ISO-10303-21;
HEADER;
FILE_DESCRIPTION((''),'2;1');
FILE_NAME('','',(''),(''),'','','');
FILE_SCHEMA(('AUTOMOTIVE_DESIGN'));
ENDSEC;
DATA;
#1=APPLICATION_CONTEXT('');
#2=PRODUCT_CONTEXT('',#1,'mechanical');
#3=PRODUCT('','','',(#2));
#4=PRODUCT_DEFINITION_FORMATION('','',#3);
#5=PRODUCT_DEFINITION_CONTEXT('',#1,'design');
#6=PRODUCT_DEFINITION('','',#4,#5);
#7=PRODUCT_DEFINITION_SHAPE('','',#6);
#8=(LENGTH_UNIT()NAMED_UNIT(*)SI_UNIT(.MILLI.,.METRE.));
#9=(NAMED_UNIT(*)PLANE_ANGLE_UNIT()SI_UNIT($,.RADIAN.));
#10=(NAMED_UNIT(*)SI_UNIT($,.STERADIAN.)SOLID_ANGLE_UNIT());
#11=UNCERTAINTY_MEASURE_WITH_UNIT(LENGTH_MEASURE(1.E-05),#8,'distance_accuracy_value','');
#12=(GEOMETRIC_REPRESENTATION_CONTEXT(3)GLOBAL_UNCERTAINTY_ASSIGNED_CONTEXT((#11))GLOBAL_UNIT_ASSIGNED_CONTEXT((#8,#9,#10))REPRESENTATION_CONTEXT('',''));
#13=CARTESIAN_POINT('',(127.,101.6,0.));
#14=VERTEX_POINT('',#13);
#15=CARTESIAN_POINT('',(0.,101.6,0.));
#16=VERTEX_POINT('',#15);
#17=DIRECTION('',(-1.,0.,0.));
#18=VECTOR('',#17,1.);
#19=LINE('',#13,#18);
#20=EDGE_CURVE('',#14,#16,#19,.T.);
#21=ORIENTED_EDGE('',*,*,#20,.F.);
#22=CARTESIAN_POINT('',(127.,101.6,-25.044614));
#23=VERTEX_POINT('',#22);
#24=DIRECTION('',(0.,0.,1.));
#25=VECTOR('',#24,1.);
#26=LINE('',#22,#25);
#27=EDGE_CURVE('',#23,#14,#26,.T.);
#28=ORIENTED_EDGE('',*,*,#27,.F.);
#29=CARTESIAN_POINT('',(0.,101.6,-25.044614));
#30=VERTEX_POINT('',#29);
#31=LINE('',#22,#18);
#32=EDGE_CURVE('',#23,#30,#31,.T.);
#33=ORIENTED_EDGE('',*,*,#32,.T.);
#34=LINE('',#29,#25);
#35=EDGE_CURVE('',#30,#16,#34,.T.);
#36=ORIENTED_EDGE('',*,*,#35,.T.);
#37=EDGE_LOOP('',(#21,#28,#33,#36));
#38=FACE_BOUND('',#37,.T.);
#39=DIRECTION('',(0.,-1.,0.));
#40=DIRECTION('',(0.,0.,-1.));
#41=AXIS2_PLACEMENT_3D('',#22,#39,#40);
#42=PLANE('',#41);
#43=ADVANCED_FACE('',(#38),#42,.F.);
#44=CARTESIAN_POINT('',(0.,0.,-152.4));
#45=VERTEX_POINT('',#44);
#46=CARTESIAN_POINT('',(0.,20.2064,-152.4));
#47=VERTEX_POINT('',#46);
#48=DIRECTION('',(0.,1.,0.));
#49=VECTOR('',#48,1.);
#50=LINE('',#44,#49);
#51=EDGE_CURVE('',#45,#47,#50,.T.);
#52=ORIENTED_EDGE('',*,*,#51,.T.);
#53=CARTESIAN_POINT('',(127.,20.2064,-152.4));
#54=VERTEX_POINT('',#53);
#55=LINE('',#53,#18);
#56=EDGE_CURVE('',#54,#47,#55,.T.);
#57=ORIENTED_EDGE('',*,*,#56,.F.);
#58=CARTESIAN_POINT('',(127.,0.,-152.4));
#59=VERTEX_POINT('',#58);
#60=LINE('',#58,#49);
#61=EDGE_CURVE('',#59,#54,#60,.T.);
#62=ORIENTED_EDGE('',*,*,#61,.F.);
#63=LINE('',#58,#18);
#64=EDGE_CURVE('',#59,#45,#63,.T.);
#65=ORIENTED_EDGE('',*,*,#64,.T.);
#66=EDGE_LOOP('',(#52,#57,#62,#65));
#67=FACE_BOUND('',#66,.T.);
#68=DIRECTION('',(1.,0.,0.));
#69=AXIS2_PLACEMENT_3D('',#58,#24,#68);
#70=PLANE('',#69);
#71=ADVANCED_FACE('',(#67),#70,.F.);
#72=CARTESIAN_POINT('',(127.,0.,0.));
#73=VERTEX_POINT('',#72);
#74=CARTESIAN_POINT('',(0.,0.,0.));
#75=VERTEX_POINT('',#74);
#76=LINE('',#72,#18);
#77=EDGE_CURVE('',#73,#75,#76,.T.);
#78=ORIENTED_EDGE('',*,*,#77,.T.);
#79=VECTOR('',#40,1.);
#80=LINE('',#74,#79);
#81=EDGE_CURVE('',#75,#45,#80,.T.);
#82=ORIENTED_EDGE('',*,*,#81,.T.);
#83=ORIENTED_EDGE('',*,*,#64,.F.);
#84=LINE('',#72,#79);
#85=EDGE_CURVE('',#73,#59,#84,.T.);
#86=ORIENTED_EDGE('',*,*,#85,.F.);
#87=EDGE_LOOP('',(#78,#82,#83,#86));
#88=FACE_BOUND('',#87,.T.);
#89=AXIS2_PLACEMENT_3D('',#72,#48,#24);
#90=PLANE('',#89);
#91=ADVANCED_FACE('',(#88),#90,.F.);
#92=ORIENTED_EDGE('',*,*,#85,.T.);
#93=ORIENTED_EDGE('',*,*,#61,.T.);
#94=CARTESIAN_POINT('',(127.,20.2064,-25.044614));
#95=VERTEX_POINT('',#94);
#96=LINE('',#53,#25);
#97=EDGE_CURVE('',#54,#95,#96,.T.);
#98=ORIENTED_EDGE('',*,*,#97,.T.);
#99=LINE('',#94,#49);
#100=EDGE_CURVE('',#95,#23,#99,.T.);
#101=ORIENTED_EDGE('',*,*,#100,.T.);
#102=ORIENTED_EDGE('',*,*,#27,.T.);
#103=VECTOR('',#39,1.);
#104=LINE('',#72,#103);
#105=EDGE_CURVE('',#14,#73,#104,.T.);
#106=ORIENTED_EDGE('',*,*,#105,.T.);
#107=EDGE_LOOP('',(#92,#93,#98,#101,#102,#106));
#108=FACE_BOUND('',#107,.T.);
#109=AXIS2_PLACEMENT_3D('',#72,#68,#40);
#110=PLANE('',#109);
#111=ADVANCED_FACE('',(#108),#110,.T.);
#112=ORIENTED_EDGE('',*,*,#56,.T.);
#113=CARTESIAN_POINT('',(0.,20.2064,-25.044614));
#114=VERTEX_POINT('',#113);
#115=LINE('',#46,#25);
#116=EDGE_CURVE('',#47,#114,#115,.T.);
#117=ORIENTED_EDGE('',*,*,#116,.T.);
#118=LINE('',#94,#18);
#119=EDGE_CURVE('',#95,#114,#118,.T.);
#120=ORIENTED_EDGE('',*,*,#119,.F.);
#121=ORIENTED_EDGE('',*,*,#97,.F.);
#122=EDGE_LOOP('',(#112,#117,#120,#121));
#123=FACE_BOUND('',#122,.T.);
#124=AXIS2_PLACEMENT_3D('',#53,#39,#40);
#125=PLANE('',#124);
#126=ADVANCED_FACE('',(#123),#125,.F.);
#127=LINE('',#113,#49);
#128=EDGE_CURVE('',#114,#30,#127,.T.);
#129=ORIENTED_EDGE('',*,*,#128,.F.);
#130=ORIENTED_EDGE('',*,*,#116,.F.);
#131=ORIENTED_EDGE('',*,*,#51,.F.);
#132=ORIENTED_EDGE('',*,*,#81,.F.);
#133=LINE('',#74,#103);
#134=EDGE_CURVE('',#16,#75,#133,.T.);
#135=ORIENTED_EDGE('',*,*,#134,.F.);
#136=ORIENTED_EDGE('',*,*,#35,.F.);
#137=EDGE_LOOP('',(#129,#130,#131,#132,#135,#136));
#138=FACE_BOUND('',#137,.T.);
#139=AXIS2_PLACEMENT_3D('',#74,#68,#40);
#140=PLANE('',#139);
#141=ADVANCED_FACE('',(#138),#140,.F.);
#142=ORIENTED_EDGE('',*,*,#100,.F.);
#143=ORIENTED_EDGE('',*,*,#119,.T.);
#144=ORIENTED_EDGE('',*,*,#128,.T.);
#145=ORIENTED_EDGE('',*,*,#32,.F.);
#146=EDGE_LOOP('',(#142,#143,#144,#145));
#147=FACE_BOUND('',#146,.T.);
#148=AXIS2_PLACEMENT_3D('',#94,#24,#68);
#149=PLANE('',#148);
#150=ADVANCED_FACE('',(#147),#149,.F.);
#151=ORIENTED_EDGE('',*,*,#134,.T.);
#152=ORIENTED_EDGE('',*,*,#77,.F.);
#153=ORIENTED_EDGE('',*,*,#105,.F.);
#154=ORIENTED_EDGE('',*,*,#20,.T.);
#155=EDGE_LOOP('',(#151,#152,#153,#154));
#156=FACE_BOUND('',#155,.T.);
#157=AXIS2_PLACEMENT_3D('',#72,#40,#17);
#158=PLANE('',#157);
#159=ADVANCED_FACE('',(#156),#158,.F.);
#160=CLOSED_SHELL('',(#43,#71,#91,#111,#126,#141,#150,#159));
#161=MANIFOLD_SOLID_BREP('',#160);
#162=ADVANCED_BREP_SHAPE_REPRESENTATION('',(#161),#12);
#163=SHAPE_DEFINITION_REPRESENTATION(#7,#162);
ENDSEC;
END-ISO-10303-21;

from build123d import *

# Parameters (mm, degrees)
BOSS_EXTRUDE1_DEPTH = 127


with BuildPart() as part:
    # Sketch2 → Boss-Extrude1 (new body)
    with BuildSketch(Plane(origin=(0, 0, 0), x_dir=(0, 0, -1), z_dir=(1, 0, 0))):
        Polygon((0, 0), (0, 101.6), (25.04461424, 101.6), (25.04461424, 20.206399516), (152.4, 20.206399516), (152.4, 0), align=None)
    extrude(amount=BOSS_EXTRUDE1_DEPTH)


solid = part.part
